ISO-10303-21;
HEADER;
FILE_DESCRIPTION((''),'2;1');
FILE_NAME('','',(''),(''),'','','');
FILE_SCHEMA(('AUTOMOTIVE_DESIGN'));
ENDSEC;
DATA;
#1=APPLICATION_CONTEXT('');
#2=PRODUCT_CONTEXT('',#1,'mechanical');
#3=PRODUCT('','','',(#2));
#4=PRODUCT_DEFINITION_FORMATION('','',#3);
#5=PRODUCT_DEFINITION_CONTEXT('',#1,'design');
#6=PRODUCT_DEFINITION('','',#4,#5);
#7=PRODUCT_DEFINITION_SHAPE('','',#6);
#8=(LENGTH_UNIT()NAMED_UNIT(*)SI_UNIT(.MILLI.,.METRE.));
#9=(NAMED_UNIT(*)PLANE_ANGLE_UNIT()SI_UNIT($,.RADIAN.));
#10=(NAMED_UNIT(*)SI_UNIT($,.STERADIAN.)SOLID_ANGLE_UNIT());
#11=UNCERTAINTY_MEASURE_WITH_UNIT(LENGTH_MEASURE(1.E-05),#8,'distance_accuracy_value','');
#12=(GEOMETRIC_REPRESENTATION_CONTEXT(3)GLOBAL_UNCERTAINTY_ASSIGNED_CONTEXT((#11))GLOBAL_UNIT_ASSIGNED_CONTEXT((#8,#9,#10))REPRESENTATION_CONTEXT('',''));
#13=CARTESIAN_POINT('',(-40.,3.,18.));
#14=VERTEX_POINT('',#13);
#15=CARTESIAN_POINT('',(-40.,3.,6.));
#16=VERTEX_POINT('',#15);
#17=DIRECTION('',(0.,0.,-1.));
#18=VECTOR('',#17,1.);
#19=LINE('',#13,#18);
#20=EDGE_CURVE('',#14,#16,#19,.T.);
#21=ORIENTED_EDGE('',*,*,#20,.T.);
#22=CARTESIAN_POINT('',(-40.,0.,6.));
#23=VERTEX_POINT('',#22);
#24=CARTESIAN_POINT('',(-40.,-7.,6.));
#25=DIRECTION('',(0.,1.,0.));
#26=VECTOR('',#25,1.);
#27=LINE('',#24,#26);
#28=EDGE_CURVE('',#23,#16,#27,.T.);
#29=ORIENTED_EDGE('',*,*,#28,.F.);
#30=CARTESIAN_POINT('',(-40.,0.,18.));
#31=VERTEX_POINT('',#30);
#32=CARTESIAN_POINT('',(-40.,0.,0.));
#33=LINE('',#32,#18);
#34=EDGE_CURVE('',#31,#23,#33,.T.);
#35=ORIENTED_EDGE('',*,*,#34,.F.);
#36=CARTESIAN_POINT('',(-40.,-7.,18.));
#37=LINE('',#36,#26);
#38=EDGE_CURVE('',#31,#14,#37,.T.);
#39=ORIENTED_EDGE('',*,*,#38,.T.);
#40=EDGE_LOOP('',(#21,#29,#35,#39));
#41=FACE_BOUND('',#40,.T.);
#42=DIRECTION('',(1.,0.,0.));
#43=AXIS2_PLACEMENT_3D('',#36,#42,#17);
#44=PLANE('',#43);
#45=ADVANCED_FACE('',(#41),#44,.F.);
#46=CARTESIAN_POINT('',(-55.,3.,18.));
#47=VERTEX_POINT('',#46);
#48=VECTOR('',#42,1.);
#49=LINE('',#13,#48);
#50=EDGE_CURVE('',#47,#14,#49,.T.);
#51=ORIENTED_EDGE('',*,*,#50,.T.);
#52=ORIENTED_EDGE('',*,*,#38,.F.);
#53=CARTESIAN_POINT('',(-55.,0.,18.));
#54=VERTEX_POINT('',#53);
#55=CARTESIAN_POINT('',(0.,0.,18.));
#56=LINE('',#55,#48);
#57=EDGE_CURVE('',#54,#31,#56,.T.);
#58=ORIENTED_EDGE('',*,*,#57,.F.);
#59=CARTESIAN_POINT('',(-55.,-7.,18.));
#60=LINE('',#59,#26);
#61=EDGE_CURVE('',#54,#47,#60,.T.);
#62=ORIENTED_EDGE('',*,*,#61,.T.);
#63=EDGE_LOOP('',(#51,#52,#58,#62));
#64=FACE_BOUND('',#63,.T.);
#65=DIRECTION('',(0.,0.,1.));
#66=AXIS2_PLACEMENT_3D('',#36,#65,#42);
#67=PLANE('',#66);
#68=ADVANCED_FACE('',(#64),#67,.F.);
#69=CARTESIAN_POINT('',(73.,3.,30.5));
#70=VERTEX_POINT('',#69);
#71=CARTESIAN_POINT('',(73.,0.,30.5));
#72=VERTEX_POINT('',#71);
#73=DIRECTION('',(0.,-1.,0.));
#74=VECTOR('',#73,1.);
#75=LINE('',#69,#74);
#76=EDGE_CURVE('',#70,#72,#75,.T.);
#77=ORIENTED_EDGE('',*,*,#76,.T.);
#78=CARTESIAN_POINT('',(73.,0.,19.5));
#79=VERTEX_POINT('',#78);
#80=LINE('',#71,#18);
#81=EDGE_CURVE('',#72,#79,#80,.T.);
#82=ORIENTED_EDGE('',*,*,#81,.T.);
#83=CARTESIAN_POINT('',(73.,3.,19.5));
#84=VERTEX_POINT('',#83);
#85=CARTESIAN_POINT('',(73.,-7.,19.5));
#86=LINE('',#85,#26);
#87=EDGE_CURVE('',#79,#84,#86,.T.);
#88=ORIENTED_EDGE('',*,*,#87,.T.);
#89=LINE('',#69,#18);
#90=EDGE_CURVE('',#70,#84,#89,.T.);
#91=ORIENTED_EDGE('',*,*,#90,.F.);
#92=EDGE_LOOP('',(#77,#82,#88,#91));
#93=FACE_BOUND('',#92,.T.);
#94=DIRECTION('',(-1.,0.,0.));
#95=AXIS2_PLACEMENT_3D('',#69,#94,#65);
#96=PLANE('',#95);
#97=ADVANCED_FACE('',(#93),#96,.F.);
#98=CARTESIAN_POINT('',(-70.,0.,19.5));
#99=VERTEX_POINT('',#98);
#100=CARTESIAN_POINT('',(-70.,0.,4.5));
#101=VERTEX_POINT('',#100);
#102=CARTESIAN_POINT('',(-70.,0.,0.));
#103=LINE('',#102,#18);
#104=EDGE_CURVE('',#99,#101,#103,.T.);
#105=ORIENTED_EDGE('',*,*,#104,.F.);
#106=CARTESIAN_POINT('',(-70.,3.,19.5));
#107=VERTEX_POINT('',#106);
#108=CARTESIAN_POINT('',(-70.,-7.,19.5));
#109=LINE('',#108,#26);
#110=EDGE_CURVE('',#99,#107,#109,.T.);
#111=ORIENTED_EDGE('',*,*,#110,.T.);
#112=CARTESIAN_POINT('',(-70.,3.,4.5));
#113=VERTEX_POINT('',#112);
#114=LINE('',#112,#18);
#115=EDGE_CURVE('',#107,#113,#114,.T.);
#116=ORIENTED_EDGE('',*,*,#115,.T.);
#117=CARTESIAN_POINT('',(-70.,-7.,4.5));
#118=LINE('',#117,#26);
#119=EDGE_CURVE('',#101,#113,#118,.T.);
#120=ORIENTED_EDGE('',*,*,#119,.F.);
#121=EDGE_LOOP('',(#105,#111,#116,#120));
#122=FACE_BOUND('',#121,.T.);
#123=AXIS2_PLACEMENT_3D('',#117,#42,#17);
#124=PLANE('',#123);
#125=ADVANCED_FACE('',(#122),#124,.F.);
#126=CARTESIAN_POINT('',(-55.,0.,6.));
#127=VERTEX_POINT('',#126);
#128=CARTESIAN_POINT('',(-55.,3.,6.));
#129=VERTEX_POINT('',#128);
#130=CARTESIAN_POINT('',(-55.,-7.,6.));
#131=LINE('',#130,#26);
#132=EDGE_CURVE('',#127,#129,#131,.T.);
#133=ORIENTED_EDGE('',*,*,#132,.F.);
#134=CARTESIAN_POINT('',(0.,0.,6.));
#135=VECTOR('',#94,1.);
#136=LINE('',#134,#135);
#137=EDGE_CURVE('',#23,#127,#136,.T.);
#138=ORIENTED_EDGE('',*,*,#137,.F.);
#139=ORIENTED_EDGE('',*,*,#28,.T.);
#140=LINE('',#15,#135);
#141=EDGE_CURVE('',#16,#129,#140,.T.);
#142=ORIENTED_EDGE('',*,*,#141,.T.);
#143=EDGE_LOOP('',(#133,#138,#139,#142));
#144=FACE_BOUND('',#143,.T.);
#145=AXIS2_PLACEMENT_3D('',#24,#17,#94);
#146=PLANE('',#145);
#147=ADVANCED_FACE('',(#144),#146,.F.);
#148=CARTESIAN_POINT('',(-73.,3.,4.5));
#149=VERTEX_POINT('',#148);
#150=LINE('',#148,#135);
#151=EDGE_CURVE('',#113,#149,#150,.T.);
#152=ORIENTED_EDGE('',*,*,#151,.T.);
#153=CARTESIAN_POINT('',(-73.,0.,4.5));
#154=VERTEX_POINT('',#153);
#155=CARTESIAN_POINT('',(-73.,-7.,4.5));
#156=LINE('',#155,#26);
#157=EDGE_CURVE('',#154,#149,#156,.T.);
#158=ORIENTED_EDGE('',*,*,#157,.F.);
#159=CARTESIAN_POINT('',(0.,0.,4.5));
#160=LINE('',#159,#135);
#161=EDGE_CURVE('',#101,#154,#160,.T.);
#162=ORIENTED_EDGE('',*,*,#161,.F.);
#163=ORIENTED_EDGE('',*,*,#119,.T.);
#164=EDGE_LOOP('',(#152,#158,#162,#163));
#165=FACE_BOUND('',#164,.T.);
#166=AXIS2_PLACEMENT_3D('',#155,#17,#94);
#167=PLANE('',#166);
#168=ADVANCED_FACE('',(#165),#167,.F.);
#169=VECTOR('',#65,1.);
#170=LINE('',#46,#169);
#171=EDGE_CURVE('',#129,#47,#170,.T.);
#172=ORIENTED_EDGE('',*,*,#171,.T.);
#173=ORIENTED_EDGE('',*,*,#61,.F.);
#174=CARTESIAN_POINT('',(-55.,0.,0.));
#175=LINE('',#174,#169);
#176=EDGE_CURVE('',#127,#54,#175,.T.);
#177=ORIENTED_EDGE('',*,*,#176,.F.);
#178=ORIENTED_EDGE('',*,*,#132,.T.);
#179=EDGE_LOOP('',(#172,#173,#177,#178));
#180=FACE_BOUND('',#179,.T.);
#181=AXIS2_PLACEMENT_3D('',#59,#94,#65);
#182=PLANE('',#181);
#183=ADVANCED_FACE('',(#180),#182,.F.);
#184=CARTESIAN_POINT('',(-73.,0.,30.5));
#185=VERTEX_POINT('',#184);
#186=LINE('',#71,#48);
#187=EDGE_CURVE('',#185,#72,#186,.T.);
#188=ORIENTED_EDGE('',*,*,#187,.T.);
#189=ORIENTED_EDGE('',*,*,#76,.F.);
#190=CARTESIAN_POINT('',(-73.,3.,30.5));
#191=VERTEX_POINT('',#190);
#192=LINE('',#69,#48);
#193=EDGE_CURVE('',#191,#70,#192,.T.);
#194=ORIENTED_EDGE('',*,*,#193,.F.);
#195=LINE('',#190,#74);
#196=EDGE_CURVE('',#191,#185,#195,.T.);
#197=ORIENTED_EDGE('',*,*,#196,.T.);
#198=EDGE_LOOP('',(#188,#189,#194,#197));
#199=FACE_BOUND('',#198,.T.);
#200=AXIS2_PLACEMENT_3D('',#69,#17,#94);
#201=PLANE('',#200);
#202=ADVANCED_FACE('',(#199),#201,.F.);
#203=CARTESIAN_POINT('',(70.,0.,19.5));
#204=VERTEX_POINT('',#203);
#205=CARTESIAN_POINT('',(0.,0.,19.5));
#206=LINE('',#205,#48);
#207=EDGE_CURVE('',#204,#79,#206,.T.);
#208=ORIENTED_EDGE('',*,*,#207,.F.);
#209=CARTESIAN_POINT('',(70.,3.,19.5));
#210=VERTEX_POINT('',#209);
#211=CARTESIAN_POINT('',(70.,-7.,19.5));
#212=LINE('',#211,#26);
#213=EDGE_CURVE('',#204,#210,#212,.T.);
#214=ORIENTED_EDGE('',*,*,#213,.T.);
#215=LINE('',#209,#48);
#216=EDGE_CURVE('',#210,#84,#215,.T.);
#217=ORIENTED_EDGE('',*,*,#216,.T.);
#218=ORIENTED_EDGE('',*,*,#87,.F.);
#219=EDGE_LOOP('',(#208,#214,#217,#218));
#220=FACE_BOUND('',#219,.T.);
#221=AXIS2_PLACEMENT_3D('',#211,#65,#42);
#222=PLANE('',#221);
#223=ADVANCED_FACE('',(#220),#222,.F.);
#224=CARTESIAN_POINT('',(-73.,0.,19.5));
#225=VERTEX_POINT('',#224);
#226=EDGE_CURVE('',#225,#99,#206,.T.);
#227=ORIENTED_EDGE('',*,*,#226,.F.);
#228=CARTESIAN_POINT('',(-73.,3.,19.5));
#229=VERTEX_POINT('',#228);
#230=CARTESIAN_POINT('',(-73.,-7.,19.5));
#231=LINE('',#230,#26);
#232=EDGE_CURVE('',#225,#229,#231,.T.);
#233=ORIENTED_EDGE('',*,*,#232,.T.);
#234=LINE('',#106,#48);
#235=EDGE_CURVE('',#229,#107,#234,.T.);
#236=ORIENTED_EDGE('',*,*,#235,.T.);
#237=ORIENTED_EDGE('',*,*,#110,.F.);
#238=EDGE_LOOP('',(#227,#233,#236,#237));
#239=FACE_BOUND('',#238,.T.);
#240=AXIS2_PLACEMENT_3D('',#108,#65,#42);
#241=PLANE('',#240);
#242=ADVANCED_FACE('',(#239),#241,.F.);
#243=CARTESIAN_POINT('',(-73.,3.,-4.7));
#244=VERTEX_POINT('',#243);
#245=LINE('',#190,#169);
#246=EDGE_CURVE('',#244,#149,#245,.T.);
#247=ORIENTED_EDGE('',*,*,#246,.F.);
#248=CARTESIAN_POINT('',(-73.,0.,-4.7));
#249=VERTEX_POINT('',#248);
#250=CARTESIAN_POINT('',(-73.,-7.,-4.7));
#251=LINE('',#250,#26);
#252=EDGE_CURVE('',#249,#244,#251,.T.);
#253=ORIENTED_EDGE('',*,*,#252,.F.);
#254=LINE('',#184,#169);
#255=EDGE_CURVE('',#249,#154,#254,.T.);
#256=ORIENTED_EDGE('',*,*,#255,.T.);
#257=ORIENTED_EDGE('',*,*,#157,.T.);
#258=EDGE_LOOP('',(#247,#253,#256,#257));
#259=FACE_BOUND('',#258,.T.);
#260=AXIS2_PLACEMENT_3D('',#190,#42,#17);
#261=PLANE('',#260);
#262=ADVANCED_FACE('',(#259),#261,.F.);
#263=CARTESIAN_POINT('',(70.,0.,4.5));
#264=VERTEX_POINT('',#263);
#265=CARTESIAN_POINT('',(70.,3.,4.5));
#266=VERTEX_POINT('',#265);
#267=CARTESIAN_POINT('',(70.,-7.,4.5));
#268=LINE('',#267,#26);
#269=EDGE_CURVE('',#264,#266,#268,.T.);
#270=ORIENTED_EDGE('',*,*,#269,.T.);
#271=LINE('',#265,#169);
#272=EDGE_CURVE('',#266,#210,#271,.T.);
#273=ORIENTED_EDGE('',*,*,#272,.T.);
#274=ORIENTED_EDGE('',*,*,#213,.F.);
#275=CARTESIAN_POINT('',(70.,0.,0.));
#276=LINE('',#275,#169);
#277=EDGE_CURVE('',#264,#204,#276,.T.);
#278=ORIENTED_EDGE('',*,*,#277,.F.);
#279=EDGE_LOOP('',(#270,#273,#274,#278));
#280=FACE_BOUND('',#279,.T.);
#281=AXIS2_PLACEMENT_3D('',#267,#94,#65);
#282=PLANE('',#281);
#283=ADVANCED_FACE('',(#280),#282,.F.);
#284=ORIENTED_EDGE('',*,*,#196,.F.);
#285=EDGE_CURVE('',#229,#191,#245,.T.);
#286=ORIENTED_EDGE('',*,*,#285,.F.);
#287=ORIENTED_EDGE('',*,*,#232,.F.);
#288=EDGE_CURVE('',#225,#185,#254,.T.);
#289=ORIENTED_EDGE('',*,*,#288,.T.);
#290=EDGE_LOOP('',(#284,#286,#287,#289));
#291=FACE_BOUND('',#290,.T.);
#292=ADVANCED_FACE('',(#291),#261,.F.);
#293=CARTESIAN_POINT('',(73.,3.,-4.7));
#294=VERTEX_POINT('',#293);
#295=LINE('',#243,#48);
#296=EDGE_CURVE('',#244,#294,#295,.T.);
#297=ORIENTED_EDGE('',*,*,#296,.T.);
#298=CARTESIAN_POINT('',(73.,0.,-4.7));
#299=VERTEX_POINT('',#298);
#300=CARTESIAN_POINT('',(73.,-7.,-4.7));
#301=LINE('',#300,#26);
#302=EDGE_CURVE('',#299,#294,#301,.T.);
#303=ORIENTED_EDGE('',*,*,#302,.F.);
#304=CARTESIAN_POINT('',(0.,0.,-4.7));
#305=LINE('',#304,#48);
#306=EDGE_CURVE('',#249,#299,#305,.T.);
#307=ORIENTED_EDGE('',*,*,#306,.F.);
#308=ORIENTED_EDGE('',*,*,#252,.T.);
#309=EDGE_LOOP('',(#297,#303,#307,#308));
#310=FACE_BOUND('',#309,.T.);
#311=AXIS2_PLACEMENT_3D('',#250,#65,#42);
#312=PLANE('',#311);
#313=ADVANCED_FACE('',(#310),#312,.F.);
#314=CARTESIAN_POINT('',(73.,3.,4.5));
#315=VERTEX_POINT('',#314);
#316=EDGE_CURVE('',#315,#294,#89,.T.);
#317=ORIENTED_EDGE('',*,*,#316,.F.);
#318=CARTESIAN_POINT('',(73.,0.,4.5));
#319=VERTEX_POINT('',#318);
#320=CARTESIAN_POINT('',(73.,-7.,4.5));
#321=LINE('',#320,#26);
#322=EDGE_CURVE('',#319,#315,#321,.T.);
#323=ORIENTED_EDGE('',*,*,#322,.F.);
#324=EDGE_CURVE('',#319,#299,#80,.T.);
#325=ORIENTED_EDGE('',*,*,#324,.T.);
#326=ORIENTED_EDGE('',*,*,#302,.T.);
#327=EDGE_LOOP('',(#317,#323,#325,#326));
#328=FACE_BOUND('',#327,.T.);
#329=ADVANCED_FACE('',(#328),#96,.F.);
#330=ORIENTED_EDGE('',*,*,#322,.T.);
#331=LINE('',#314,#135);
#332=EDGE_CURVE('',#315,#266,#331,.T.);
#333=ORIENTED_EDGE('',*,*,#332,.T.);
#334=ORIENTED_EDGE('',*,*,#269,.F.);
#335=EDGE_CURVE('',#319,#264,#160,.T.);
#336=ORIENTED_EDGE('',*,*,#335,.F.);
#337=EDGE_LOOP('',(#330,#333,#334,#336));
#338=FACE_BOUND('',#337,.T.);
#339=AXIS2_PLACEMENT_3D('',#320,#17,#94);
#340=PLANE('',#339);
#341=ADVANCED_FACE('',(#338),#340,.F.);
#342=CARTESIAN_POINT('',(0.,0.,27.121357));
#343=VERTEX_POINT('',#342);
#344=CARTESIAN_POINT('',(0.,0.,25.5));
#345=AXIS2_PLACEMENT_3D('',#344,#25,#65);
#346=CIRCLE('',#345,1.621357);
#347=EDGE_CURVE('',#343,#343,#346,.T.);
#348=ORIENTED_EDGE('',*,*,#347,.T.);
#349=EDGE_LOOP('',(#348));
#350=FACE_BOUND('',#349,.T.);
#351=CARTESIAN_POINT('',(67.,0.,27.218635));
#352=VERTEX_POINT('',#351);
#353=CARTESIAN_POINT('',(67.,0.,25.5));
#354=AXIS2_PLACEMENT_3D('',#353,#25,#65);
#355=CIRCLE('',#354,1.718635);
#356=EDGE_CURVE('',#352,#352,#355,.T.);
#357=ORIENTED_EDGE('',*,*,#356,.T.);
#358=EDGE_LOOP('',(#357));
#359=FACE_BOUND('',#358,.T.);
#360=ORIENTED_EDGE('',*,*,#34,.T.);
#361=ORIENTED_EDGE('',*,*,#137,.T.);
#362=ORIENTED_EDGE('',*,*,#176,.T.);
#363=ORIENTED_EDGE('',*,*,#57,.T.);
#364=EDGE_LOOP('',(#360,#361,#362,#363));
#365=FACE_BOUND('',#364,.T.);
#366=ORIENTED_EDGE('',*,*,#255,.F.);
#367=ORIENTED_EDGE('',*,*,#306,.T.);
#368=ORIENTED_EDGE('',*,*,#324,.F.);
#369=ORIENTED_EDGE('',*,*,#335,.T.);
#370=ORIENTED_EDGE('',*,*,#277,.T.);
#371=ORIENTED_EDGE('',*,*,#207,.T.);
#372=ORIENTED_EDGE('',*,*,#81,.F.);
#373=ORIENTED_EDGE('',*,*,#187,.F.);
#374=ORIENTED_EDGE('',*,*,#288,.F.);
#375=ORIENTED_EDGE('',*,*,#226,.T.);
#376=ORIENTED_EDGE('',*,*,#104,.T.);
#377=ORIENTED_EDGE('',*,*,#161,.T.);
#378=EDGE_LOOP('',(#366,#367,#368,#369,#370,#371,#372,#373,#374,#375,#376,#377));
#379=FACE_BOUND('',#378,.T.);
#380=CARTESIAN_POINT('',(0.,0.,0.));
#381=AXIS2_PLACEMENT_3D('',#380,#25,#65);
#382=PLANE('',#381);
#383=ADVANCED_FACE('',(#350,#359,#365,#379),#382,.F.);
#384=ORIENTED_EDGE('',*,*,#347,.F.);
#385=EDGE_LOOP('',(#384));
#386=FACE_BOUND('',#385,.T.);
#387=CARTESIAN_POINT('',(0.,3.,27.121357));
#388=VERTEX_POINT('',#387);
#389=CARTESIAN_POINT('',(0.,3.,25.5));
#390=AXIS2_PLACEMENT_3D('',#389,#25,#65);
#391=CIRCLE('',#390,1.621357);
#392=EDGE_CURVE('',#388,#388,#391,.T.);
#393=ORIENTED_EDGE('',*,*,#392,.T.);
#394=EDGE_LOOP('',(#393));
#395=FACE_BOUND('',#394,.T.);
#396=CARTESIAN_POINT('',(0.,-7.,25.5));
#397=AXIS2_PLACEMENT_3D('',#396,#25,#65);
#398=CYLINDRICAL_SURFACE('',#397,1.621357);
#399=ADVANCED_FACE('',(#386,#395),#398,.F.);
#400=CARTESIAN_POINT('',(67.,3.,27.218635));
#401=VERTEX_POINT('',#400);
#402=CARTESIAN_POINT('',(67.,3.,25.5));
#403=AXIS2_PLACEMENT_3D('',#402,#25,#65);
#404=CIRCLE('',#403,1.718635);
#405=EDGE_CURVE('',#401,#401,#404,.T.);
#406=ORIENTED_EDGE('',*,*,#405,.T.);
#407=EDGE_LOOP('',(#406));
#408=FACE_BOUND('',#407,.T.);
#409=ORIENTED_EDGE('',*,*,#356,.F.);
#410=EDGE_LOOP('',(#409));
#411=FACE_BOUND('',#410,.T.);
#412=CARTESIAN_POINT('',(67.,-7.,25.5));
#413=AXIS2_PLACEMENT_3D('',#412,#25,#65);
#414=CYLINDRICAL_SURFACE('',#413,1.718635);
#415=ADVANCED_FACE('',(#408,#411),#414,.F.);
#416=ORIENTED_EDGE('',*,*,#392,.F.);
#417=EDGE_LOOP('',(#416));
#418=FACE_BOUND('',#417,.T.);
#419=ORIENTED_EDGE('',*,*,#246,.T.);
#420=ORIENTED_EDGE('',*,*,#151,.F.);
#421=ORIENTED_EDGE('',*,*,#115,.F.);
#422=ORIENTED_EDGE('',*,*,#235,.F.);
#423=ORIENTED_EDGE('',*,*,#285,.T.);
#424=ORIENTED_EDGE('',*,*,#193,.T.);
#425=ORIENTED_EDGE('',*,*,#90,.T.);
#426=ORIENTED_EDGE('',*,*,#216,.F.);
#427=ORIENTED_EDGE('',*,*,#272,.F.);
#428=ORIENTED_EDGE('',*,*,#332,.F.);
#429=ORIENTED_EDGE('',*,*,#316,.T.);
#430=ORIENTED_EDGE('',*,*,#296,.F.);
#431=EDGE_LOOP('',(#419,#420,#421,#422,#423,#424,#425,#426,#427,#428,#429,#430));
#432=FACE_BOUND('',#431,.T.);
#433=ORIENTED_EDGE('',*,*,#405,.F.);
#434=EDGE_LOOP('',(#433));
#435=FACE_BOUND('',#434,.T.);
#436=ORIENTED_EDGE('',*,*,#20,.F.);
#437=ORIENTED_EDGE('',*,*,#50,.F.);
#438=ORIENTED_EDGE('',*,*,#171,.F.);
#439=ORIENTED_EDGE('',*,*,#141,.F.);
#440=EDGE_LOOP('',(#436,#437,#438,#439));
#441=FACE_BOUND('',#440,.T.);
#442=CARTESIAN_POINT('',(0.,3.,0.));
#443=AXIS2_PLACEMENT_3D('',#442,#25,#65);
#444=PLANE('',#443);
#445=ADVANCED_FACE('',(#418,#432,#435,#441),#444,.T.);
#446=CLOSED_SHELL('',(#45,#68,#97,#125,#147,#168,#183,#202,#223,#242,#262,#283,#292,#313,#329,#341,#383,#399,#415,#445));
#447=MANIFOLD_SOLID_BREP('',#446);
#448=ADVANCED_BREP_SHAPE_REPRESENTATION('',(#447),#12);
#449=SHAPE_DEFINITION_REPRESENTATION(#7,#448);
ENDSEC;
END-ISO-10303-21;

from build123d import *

# Parameters (mm, degrees)
SKETCH1_W           = 146
SKETCH1_H           = 61
BOSS_EXTRUDE1_DEPTH = 3
SKETCH2_R           = 1.621357424
SKETCH2_R_2         = 1.718635432
SKETCH2_W           = 3
SKETCH2_H           = 15
SKETCH2_W_2         = 15
SKETCH2_H_2         = 12
SKETCH2_W_3         = 30
SKETCH2_H_3         = 3
CUT_EXTRUDE1_DEPTH  = 10
SKETCH3_W           = 146
SKETCH3_H           = 25.8
CUT_EXTRUDE2_DEPTH  = 10


with BuildPart() as part:
    # Sketch1 → Boss-Extrude1 (new body)
    with BuildSketch(Plane(origin=(0, 0, 0), x_dir=(1, 0, 0), z_dir=(0, 1, 0))):
        Rectangle(SKETCH1_W, SKETCH1_H)
    extrude(amount=BOSS_EXTRUDE1_DEPTH)

    # Sketch2 → Cut-Extrude1 (cut)
    with BuildSketch(Plane(origin=(0, 3, 0), x_dir=(1, 0, 0), z_dir=(0, 1, 0))):
        with Locations(Location((0, -25.5, 0), (0, 0, 270))):
            Circle(SKETCH2_R)
        with Locations(Location((67, -25.5, 0), (0, 0, 270))):
            Circle(SKETCH2_R_2)
        with Locations((-71.5, -12)):
            Rectangle(SKETCH2_W, SKETCH2_H)
        with Locations((71.5, 13)):
            Rectangle(SKETCH2_W, SKETCH2_H)
        with Locations((71.5, -12)):
            Rectangle(SKETCH2_W, SKETCH2_H)
        with Locations((-71.5, 13)):
            Rectangle(SKETCH2_W, SKETCH2_H)
        with Locations((-47.5, -12)):
            Rectangle(SKETCH2_W_2, SKETCH2_H_2)
        with Locations((-28, 29)):
            Rectangle(SKETCH2_W_3, SKETCH2_H_3)
        with Locations((28, 29)):
            Rectangle(SKETCH2_W_3, SKETCH2_H_3)
    extrude(amount=-CUT_EXTRUDE1_DEPTH, mode=Mode.SUBTRACT)

    # Sketch3 → Cut-Extrude2 (cut)
    with BuildSketch(Plane(origin=(0, 3, 0), x_dir=(1, 0, 0), z_dir=(0, 1, 0))):
        with Locations((0, 17.6)):
            Rectangle(SKETCH3_W, SKETCH3_H)
    extrude(amount=-CUT_EXTRUDE2_DEPTH, mode=Mode.SUBTRACT)


solid = part.part
